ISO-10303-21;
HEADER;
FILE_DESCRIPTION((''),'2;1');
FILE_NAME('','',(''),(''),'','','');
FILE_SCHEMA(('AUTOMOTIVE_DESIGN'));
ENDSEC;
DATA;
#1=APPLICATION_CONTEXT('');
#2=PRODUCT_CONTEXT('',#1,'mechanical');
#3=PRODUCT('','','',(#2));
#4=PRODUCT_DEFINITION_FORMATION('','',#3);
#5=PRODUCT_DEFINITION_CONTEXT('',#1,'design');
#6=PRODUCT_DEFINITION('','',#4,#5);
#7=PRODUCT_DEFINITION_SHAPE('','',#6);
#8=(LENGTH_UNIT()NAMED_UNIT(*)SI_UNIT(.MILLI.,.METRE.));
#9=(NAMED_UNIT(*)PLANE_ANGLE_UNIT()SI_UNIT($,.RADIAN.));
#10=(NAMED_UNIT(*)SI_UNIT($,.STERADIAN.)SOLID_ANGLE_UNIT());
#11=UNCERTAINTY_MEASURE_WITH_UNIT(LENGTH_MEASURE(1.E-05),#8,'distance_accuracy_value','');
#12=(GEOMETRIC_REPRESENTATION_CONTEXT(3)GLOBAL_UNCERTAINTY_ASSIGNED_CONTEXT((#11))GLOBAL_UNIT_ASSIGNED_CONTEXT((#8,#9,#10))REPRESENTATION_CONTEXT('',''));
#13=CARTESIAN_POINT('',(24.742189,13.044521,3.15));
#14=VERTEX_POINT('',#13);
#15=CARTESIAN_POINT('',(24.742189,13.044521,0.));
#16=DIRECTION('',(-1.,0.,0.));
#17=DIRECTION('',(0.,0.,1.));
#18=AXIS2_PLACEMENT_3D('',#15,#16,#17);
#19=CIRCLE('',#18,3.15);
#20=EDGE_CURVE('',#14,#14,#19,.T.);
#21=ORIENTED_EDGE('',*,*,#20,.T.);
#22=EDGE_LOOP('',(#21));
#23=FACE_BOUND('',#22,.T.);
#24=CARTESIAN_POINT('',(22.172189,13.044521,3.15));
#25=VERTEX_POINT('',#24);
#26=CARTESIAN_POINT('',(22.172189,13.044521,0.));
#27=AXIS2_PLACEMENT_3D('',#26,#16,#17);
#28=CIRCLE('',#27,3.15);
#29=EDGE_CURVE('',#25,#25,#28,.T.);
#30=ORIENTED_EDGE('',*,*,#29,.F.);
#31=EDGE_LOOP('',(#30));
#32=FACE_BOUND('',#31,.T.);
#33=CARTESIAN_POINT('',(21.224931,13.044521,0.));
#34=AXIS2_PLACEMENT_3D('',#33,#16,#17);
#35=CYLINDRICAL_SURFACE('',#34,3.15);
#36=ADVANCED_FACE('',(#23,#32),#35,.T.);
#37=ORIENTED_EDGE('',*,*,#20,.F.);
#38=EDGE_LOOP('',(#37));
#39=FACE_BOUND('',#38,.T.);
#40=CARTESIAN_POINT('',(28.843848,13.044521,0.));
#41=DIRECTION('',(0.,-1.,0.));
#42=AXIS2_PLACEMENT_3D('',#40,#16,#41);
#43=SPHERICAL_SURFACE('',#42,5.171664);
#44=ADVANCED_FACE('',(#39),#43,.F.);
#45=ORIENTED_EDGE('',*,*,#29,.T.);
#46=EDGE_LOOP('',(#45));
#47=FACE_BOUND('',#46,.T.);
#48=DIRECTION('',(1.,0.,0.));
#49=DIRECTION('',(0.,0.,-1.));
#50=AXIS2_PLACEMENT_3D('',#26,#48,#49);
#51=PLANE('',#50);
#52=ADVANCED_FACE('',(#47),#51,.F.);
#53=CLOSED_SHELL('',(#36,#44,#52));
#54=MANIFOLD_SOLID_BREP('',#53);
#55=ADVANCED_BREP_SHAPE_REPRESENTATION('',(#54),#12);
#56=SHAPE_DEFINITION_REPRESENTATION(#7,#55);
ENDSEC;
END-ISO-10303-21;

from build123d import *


with BuildPart() as part:
    # 草图1 → 旋转1 (revolve)
    with BuildSketch(Plane.XY, mode=Mode.PRIVATE) as revolve_1_sk:
        with BuildLine():
            Line((22.172189475, 13.044520575), (22.172189475, 16.194520575))
            Line((22.172189475, 16.194520575), (24.742189475, 16.194520575))
            ThreePointArc((24.742189475, 16.194520575), (23.946986815, 14.707906454), (23.672184647, 13.044520575))
            Line((23.672184647, 13.044520575), (22.172189475, 13.044520575))
        make_face()
    revolve(revolve_1_sk.sketch.rotate(Axis((21.224930557, 13.044520575, 0), (1, 0, 0)), 180), axis=Axis((21.224930557, 13.044520575, 0), (1, 0, 0)))  # turned: the seam where the file's is


solid = part.part
